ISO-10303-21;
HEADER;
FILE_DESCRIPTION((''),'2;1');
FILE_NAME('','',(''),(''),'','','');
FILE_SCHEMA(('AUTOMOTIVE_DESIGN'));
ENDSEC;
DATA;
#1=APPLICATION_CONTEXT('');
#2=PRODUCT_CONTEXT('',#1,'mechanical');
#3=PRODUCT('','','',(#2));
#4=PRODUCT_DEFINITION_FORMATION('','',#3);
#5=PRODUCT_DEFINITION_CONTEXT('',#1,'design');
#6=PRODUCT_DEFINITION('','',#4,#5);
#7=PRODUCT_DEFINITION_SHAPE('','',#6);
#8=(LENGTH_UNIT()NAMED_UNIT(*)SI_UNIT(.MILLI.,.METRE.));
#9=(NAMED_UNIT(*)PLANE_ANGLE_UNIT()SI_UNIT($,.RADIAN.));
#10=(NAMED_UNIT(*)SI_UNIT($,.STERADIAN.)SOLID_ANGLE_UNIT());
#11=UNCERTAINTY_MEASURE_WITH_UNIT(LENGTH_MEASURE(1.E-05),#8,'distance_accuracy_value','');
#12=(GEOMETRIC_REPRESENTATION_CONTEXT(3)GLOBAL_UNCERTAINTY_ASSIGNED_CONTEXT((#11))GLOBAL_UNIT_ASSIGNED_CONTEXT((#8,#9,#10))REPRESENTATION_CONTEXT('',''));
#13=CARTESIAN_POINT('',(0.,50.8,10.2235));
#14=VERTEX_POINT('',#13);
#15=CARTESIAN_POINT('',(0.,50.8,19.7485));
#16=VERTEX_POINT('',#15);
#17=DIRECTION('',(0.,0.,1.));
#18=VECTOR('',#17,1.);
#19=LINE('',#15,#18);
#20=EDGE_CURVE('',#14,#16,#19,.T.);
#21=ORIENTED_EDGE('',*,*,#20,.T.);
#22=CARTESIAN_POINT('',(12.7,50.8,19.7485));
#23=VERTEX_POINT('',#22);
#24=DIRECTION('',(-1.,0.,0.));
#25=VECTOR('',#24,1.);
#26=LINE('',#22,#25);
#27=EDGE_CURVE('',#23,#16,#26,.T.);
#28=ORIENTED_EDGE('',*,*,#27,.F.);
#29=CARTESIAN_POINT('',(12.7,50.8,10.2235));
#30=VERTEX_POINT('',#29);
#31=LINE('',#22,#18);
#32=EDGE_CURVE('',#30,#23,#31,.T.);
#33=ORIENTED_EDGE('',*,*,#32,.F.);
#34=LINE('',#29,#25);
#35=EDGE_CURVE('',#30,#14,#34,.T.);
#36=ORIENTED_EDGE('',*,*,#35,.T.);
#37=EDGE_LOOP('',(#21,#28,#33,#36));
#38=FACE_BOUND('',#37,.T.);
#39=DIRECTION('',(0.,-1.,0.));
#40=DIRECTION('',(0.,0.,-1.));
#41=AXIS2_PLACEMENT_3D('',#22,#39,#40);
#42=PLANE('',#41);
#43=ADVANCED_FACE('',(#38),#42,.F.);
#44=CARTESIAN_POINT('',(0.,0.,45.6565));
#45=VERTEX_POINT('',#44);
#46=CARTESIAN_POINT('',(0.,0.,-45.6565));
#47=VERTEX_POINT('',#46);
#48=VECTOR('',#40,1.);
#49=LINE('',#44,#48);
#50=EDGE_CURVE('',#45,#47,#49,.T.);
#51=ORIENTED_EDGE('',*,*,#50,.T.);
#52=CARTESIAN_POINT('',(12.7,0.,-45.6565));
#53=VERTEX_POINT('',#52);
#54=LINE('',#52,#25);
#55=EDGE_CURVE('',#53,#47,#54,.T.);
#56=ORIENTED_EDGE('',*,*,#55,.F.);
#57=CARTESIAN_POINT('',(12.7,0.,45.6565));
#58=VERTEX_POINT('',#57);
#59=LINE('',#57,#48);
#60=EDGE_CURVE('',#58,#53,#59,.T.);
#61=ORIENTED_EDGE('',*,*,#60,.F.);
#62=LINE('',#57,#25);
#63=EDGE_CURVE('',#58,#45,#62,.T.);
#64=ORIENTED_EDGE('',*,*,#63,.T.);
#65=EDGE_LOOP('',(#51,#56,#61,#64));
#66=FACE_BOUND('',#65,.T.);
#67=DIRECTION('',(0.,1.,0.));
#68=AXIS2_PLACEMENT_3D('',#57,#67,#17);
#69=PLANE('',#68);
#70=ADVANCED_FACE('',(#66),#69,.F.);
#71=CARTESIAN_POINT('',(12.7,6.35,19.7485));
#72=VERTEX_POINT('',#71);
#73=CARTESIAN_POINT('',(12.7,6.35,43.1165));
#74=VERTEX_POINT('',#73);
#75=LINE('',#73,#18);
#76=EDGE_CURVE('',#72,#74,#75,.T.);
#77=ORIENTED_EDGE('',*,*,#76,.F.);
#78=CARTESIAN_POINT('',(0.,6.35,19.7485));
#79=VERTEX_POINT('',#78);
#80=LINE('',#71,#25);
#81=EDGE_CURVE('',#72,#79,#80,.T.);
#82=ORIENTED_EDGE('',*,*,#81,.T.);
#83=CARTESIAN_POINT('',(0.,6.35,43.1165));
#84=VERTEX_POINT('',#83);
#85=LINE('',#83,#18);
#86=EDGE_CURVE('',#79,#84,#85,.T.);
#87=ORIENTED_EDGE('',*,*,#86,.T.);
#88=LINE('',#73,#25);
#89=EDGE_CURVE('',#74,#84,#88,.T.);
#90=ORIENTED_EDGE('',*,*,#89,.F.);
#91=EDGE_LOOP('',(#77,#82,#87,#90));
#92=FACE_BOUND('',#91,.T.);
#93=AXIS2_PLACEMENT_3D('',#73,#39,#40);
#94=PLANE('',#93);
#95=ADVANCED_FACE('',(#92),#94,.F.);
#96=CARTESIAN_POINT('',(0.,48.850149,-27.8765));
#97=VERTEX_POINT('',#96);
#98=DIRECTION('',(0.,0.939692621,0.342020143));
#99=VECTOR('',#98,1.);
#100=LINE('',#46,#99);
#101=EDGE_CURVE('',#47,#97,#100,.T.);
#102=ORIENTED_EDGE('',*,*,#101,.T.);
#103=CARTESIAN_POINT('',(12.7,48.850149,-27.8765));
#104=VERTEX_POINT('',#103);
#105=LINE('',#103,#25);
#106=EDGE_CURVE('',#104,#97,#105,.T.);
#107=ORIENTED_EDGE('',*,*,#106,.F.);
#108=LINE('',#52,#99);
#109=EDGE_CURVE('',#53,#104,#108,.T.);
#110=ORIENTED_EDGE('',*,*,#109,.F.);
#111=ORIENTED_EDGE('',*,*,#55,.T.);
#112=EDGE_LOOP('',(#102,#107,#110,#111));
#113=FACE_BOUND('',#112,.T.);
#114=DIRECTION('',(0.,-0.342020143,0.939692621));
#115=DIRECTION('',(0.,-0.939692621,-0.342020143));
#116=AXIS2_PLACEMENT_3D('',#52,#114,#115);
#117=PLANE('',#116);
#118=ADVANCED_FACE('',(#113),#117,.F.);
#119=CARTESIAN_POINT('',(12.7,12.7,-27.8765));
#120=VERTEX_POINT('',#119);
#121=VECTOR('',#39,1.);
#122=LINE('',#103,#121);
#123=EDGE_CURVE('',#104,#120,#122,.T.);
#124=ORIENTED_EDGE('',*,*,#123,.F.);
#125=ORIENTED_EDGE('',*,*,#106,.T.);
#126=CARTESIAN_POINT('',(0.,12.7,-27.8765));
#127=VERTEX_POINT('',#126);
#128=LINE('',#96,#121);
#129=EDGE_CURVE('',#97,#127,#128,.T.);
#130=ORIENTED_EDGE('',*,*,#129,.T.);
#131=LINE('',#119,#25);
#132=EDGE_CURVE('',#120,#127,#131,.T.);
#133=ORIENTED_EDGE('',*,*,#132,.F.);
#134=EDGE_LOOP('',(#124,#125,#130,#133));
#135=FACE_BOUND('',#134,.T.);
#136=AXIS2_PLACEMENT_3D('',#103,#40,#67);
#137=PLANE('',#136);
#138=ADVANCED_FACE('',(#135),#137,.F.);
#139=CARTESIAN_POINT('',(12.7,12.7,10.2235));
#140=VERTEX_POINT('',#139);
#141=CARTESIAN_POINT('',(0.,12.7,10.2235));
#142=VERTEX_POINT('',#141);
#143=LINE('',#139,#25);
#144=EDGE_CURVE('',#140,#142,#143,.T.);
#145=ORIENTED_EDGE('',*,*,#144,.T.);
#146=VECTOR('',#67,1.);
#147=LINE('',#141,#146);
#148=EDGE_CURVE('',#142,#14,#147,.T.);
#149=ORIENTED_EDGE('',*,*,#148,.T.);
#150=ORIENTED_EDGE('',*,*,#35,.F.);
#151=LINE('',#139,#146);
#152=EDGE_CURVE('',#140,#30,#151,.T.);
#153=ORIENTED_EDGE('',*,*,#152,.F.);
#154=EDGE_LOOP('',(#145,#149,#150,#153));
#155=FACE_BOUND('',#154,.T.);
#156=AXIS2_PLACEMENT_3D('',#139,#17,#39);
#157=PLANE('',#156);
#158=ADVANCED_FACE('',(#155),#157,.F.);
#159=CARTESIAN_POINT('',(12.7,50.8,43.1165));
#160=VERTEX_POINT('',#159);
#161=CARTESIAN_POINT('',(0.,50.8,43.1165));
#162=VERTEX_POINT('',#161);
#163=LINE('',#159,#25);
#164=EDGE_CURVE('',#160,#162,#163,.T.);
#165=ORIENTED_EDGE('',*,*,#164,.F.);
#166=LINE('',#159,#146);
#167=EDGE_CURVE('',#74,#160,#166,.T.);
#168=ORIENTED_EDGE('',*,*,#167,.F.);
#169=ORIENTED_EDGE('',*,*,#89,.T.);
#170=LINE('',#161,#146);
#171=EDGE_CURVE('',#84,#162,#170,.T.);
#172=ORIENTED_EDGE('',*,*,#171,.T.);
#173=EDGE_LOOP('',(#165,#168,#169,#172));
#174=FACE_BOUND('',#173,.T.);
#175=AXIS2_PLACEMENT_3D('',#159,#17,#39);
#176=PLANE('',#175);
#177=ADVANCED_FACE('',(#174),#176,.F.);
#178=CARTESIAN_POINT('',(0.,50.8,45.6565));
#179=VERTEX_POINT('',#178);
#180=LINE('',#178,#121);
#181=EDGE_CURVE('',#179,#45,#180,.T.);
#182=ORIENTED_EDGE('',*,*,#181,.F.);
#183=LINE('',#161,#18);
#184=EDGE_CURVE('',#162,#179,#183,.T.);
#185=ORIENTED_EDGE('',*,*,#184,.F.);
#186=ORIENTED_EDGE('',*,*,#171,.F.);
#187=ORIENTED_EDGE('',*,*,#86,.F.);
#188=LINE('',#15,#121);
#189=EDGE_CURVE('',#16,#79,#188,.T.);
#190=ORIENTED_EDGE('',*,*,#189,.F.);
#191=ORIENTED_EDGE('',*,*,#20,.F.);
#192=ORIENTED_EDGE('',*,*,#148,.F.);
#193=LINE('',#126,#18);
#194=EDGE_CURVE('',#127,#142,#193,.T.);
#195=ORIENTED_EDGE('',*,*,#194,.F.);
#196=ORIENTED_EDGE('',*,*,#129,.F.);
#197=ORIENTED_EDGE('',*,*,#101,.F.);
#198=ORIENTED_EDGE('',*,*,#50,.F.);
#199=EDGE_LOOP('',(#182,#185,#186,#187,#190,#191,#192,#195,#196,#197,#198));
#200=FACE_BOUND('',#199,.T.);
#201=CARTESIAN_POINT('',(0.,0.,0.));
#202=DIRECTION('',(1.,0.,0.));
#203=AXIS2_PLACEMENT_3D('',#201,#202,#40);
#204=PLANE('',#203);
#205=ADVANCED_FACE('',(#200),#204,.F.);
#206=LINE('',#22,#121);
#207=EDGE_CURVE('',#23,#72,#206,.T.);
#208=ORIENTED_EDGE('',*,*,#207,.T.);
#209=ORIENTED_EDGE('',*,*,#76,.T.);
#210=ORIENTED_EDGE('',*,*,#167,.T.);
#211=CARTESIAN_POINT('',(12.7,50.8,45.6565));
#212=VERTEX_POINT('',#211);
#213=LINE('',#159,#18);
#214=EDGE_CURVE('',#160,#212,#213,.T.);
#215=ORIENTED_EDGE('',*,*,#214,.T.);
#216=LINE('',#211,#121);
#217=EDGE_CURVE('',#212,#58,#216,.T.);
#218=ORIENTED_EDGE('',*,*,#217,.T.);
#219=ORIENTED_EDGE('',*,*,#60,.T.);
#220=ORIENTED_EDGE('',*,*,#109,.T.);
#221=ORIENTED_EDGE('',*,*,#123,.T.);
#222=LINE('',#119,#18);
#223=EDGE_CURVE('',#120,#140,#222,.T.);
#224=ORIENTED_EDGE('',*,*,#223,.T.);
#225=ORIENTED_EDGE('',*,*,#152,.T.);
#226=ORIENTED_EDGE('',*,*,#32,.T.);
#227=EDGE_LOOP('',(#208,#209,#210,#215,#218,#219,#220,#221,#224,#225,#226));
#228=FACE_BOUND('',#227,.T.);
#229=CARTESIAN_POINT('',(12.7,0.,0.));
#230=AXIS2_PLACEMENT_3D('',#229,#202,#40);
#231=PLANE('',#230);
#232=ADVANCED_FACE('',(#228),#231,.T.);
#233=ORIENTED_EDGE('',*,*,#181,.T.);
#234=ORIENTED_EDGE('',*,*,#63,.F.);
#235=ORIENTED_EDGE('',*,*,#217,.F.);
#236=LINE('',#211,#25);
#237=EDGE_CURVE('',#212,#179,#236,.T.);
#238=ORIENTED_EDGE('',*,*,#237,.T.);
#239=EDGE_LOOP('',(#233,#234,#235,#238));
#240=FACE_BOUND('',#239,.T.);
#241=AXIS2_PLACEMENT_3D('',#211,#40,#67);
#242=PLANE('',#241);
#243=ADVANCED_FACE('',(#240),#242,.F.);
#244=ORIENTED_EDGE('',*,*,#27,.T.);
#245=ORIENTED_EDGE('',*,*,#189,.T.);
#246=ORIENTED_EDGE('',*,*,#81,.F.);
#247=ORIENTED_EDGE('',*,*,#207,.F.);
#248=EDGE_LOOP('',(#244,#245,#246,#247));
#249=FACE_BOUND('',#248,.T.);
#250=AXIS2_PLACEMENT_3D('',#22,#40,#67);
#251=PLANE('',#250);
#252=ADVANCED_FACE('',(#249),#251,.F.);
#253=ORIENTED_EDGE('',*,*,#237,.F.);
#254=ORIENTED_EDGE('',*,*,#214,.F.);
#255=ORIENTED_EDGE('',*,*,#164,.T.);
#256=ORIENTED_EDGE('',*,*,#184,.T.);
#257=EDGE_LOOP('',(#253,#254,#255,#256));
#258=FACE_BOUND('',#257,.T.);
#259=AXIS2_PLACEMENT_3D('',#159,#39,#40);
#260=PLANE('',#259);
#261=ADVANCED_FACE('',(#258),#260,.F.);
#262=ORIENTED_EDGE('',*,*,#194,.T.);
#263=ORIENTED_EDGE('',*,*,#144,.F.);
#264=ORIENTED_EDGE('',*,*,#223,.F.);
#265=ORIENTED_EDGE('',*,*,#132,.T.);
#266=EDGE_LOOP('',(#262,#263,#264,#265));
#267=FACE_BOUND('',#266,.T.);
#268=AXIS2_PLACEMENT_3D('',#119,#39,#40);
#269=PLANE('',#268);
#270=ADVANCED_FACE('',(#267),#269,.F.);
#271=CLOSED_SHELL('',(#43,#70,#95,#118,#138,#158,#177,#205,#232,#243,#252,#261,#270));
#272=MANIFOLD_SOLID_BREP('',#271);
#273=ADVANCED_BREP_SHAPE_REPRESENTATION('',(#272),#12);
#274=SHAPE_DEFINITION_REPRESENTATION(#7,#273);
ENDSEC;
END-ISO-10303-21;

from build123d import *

# Parameters (mm, degrees)
BOSS_EXTRUDE1_DEPTH = 12.7


with BuildPart() as part:
    # Sketch1 → Boss-Extrude1 (new body)
    with BuildSketch(Plane(origin=(0, 0, 0), x_dir=(0, 0, -1), z_dir=(1, 0, 0))):
        Polygon((-45.6565, 0), (45.6565, 0), (27.8765, 48.850148518), (27.8765, 12.7), (-10.2235, 12.7), (-10.2235, 50.8), (-19.7485, 50.8), (-19.7485, 6.35), (-43.1165, 6.35), (-43.1165, 50.8), (-45.6565, 50.8), align=None)
    extrude(amount=BOSS_EXTRUDE1_DEPTH)


solid = part.part
